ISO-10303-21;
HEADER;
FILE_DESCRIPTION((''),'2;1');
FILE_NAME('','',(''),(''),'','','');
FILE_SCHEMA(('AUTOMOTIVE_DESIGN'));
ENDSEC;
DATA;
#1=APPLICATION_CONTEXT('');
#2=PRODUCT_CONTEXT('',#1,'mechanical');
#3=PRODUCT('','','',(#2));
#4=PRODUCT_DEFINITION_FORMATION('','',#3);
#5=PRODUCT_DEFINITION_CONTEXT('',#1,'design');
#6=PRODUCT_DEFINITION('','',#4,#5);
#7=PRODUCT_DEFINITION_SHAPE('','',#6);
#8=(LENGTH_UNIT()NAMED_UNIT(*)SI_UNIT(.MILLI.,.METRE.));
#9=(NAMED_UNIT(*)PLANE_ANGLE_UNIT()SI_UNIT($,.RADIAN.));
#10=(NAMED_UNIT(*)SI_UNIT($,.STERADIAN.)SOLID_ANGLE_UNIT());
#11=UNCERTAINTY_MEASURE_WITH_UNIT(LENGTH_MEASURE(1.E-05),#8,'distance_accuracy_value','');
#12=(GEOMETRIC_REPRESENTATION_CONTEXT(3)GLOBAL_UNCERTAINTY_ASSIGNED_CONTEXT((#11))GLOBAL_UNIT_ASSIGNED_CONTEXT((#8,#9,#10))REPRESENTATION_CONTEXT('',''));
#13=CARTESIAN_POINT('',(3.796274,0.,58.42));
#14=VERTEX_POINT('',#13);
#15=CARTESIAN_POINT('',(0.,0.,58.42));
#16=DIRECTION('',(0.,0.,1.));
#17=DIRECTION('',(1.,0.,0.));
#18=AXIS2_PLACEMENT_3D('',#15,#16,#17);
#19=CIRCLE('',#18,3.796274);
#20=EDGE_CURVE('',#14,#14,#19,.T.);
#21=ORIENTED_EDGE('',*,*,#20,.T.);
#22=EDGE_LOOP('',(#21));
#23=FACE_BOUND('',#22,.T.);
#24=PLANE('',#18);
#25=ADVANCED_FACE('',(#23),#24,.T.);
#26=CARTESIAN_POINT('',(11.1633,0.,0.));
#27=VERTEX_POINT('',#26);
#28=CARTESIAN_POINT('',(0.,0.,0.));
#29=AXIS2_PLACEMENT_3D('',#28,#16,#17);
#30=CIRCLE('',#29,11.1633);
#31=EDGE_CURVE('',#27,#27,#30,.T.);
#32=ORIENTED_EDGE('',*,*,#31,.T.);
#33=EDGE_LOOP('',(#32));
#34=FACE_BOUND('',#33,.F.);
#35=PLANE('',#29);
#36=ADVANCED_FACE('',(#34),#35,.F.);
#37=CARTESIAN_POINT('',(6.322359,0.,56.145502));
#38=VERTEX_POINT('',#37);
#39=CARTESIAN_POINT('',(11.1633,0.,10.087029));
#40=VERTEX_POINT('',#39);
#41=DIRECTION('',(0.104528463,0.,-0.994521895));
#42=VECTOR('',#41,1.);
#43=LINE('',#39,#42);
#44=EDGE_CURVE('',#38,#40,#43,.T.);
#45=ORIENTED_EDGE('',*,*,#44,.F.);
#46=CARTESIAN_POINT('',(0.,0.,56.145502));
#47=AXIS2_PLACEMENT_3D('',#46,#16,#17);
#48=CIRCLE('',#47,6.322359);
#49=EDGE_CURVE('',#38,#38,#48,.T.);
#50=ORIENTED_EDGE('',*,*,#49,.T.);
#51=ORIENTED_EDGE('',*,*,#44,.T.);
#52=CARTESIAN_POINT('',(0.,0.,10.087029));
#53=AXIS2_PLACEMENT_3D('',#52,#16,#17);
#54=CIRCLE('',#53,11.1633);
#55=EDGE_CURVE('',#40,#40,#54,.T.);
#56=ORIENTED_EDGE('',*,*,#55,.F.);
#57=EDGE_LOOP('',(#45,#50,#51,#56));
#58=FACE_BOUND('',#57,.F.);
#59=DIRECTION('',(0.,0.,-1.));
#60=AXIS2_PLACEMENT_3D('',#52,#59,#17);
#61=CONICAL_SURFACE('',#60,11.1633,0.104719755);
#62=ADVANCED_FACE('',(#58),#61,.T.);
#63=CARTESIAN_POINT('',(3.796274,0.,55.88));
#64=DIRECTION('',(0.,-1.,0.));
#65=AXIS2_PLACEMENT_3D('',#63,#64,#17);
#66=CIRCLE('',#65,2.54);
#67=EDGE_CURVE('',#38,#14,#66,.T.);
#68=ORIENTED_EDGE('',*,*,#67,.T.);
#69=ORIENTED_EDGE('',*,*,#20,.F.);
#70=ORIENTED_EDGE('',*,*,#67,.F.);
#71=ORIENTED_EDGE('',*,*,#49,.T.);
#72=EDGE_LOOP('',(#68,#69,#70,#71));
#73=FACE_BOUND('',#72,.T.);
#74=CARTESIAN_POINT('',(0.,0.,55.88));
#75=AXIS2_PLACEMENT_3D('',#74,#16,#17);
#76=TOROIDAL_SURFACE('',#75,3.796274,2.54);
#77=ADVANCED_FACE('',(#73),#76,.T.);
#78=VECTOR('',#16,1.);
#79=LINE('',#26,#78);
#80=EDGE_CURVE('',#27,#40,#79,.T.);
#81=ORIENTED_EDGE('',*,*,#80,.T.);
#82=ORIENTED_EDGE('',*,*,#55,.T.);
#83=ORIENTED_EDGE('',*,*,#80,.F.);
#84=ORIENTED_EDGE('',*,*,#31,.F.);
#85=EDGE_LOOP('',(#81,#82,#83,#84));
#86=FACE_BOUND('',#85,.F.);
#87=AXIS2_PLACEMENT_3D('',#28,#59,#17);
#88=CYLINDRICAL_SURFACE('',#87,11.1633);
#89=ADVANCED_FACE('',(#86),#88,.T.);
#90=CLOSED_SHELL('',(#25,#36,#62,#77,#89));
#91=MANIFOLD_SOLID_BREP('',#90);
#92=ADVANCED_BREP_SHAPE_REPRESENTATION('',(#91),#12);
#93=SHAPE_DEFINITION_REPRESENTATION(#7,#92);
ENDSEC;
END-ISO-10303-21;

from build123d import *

# Parameters (mm, degrees)
F0_R     = 11.1633
F1_DEPTH = 58.42
F2_SIZE2 = 48.3329714275
F2_SIZE  = 5.08
F3_R     = 2.54


with BuildPart() as f1:
    # F0 (on Top) → F1 (new body)
    with BuildSketch(Plane.XY):
        Circle(F0_R)
    extrude(amount=F1_DEPTH)

    # F2
    f2_edges = [f1.edges().sort_by_distance(p)[0] for p in [
        (-11.1633, 0, 58.42),
    ]]
    f2_side = f1.faces().sort_by_distance((0, 0, 58.42))[0]
    chamfer(f2_edges, length=F2_SIZE, length2=F2_SIZE2, reference=f2_side)

    # F3
    f3_edges = [f1.edges().sort_by_distance(p)[0] for p in [
        (-6.0833, 0, 58.42),
    ]]
    fillet(f3_edges, radius=F3_R)


solid = f1.part
